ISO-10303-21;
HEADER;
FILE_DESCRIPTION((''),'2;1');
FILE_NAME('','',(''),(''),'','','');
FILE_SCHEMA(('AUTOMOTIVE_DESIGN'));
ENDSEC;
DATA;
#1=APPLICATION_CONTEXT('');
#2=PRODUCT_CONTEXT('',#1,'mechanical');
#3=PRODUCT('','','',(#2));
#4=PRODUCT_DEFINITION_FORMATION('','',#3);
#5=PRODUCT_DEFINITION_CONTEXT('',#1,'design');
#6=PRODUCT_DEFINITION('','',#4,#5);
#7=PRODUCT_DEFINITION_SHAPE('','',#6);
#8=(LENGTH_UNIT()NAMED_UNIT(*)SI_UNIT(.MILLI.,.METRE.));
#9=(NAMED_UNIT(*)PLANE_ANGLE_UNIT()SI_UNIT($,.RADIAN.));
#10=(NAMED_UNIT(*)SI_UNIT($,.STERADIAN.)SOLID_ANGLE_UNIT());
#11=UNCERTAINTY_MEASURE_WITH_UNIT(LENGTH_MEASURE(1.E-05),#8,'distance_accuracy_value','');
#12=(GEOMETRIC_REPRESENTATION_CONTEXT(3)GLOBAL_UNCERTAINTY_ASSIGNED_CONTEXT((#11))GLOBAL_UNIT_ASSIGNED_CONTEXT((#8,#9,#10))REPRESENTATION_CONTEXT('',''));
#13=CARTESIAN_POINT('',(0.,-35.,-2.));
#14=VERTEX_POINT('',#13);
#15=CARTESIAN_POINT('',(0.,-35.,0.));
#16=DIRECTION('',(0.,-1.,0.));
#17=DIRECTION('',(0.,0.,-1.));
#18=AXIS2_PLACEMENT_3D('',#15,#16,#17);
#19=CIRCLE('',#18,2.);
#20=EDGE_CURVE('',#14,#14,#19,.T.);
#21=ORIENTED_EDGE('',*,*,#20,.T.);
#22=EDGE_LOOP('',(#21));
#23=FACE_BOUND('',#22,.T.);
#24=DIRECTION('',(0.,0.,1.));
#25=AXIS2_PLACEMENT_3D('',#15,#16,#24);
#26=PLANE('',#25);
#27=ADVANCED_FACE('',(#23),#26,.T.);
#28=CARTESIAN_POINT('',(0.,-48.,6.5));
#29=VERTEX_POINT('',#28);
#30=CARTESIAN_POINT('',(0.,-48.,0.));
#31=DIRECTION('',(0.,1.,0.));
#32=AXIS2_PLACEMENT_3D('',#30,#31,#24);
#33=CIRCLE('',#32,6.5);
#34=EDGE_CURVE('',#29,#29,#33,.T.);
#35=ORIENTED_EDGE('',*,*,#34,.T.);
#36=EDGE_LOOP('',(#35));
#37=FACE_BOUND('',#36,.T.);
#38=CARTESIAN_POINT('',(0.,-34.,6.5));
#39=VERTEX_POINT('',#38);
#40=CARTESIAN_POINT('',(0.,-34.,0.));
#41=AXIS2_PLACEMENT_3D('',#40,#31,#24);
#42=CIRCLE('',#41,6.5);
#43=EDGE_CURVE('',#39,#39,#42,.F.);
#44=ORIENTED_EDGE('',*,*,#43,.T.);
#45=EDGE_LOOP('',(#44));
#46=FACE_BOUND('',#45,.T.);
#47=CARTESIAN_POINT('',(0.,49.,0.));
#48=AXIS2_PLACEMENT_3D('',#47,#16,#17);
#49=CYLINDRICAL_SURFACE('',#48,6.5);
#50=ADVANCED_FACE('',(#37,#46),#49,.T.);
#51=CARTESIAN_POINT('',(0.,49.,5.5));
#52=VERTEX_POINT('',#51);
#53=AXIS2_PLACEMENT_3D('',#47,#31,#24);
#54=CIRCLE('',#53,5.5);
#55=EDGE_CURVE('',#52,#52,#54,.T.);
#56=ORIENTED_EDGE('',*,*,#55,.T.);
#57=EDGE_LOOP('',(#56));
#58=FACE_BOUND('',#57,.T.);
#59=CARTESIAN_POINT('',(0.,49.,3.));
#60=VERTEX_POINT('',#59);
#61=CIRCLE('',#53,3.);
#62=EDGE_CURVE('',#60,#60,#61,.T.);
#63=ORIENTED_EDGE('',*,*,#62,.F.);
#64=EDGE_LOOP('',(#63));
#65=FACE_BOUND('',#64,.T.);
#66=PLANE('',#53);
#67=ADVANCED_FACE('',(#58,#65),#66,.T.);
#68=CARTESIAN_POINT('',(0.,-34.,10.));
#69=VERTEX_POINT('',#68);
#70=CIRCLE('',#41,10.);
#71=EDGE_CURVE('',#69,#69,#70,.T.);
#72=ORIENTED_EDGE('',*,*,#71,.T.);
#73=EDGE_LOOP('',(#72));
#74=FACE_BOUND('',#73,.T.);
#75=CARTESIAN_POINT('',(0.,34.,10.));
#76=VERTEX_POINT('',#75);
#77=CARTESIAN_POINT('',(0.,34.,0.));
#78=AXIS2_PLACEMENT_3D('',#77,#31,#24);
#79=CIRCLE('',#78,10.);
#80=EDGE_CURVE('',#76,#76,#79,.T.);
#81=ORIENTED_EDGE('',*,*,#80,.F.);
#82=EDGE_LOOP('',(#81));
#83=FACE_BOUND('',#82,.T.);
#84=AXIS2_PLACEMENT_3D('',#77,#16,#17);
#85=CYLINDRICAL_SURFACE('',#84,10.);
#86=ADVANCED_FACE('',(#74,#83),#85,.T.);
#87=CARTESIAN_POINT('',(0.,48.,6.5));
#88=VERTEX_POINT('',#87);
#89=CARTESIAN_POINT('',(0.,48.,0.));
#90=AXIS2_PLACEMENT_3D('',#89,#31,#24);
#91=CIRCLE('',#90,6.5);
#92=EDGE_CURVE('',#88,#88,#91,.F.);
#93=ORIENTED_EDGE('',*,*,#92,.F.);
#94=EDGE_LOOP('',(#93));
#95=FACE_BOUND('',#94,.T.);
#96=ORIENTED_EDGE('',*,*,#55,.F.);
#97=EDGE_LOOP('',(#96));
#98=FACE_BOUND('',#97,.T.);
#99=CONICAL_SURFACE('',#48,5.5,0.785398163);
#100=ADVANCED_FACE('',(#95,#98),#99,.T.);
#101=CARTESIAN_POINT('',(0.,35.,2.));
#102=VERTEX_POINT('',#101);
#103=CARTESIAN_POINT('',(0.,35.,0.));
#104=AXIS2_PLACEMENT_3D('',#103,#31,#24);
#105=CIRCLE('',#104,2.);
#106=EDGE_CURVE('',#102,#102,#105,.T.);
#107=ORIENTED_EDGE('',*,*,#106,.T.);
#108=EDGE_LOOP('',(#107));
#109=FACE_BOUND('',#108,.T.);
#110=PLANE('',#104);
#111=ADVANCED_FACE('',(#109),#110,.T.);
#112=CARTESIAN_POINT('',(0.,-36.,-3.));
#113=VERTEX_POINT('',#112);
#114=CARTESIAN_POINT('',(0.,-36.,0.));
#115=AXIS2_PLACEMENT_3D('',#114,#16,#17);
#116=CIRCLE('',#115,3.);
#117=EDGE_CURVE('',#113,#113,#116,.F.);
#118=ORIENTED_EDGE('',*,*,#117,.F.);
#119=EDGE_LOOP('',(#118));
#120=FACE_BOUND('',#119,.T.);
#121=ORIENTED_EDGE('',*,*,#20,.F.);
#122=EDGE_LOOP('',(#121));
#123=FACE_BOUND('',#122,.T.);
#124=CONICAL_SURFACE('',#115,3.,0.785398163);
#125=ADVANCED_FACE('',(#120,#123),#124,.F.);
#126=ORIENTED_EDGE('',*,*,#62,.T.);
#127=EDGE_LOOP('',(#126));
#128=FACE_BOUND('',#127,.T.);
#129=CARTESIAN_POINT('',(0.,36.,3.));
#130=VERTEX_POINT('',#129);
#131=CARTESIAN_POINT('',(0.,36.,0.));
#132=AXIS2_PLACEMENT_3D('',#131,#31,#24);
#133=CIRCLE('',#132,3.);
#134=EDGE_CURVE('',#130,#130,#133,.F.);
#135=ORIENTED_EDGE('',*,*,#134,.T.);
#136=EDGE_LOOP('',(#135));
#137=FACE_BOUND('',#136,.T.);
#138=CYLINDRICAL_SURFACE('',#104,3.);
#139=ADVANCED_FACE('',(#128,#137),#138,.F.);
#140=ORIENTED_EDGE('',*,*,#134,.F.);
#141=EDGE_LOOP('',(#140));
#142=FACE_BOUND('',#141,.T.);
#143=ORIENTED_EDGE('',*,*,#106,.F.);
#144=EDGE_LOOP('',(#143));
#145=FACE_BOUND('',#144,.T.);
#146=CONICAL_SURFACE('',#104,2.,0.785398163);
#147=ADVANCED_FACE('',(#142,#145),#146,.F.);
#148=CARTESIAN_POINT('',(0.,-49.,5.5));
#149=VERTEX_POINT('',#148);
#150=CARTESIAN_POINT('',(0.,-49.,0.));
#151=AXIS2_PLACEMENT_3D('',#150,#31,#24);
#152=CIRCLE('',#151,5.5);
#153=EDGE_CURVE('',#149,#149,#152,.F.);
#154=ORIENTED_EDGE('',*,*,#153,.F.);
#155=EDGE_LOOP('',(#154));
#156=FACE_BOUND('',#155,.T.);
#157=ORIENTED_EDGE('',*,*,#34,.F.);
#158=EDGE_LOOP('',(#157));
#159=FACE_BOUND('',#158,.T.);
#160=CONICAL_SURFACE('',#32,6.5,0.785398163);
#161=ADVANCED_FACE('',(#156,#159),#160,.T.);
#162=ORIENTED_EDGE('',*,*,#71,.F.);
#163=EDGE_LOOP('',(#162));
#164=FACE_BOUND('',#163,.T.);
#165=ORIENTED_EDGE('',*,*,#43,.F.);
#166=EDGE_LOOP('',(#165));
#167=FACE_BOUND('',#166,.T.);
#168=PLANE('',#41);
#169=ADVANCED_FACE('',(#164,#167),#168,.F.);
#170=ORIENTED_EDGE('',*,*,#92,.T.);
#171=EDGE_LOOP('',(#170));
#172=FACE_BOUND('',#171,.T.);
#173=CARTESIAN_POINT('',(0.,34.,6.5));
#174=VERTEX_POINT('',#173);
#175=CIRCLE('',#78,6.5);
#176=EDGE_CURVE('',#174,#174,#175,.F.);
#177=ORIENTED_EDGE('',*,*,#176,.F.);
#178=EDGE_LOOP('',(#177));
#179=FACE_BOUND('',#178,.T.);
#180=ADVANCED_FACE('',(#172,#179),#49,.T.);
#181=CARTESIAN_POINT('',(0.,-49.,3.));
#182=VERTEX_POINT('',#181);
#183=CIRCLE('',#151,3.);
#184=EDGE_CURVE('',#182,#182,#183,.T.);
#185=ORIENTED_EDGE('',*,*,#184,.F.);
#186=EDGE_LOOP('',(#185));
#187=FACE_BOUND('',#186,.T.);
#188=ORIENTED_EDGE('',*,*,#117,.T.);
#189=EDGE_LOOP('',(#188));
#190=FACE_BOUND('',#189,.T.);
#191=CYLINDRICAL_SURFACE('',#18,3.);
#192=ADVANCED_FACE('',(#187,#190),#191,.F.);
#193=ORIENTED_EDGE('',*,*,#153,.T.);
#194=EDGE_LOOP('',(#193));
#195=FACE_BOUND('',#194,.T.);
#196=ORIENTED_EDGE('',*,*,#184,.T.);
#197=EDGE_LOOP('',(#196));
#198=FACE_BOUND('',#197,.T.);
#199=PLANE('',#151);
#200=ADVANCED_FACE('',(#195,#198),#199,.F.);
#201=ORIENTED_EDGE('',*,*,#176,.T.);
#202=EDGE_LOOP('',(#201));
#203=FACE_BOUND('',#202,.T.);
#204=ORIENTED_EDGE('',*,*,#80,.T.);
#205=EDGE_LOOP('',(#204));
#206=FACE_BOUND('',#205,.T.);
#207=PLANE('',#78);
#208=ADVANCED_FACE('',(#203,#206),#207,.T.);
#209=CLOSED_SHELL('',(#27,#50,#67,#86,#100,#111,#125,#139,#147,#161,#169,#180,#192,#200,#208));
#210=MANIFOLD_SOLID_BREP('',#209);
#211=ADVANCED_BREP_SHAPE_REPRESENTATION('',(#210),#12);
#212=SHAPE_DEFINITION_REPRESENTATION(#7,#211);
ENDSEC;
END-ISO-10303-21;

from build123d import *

# Parameters (mm, degrees)
SKETCH_1_R          = 10
EXTRUDE_1_DEPTH     = 34
SKETCH_2_R          = 6.5
EXTRUDE_2_DEPTH     = 49
CHAMFER_1_SIZE      = 1
SKETCH_3_R          = 3
CUT_EXTRUDE_1_DEPTH = 14
CHAMFER_2_SIZE      = 1


with BuildPart() as part:
    # 스케치1 → 보스-돌출1 (new body, symmetric)
    with BuildSketch(Plane(origin=(0, 0, 0), x_dir=(1, 0, 0), z_dir=(0, 1, 0))):
        Circle(SKETCH_1_R)
    extrude(amount=EXTRUDE_1_DEPTH, both=True)

    # 스케치2 → 보스-돌출2 (add, symmetric)
    with BuildSketch(Plane(origin=(0, 0, 0), x_dir=(1, 0, 0), z_dir=(0, 1, 0))):
        Circle(SKETCH_2_R)
    extrude(amount=EXTRUDE_2_DEPTH, both=True)

    # 모따기1
    chamfer_1_edges = [part.edges().sort_by_distance(p)[0] for p in [
        (-6.5, -49, 0),
        (-6.5, 49, 0),
    ]]
    chamfer(chamfer_1_edges, length=CHAMFER_1_SIZE)

    # 스케치3 → 컷-돌출1 (cut)
    with BuildSketch(Plane(origin=(0, 49, 0), x_dir=(1, 0, 0), z_dir=(0, 1, 0))):
        Circle(SKETCH_3_R)
    cut_extrude_1 = extrude(amount=-CUT_EXTRUDE_1_DEPTH, mode=Mode.SUBTRACT)

    # 대칭 복사1: 컷-돌출1 across plane
    add(cut_extrude_1.mirror(Plane.ZX), mode=Mode.SUBTRACT)

    # 모따기2
    chamfer_2_edges = [part.edges().sort_by_distance(p)[0] for p in [
        (-3, 35, 0),
        (-3, -35, 0),
    ]]
    chamfer(chamfer_2_edges, length=CHAMFER_2_SIZE)


solid = part.part
